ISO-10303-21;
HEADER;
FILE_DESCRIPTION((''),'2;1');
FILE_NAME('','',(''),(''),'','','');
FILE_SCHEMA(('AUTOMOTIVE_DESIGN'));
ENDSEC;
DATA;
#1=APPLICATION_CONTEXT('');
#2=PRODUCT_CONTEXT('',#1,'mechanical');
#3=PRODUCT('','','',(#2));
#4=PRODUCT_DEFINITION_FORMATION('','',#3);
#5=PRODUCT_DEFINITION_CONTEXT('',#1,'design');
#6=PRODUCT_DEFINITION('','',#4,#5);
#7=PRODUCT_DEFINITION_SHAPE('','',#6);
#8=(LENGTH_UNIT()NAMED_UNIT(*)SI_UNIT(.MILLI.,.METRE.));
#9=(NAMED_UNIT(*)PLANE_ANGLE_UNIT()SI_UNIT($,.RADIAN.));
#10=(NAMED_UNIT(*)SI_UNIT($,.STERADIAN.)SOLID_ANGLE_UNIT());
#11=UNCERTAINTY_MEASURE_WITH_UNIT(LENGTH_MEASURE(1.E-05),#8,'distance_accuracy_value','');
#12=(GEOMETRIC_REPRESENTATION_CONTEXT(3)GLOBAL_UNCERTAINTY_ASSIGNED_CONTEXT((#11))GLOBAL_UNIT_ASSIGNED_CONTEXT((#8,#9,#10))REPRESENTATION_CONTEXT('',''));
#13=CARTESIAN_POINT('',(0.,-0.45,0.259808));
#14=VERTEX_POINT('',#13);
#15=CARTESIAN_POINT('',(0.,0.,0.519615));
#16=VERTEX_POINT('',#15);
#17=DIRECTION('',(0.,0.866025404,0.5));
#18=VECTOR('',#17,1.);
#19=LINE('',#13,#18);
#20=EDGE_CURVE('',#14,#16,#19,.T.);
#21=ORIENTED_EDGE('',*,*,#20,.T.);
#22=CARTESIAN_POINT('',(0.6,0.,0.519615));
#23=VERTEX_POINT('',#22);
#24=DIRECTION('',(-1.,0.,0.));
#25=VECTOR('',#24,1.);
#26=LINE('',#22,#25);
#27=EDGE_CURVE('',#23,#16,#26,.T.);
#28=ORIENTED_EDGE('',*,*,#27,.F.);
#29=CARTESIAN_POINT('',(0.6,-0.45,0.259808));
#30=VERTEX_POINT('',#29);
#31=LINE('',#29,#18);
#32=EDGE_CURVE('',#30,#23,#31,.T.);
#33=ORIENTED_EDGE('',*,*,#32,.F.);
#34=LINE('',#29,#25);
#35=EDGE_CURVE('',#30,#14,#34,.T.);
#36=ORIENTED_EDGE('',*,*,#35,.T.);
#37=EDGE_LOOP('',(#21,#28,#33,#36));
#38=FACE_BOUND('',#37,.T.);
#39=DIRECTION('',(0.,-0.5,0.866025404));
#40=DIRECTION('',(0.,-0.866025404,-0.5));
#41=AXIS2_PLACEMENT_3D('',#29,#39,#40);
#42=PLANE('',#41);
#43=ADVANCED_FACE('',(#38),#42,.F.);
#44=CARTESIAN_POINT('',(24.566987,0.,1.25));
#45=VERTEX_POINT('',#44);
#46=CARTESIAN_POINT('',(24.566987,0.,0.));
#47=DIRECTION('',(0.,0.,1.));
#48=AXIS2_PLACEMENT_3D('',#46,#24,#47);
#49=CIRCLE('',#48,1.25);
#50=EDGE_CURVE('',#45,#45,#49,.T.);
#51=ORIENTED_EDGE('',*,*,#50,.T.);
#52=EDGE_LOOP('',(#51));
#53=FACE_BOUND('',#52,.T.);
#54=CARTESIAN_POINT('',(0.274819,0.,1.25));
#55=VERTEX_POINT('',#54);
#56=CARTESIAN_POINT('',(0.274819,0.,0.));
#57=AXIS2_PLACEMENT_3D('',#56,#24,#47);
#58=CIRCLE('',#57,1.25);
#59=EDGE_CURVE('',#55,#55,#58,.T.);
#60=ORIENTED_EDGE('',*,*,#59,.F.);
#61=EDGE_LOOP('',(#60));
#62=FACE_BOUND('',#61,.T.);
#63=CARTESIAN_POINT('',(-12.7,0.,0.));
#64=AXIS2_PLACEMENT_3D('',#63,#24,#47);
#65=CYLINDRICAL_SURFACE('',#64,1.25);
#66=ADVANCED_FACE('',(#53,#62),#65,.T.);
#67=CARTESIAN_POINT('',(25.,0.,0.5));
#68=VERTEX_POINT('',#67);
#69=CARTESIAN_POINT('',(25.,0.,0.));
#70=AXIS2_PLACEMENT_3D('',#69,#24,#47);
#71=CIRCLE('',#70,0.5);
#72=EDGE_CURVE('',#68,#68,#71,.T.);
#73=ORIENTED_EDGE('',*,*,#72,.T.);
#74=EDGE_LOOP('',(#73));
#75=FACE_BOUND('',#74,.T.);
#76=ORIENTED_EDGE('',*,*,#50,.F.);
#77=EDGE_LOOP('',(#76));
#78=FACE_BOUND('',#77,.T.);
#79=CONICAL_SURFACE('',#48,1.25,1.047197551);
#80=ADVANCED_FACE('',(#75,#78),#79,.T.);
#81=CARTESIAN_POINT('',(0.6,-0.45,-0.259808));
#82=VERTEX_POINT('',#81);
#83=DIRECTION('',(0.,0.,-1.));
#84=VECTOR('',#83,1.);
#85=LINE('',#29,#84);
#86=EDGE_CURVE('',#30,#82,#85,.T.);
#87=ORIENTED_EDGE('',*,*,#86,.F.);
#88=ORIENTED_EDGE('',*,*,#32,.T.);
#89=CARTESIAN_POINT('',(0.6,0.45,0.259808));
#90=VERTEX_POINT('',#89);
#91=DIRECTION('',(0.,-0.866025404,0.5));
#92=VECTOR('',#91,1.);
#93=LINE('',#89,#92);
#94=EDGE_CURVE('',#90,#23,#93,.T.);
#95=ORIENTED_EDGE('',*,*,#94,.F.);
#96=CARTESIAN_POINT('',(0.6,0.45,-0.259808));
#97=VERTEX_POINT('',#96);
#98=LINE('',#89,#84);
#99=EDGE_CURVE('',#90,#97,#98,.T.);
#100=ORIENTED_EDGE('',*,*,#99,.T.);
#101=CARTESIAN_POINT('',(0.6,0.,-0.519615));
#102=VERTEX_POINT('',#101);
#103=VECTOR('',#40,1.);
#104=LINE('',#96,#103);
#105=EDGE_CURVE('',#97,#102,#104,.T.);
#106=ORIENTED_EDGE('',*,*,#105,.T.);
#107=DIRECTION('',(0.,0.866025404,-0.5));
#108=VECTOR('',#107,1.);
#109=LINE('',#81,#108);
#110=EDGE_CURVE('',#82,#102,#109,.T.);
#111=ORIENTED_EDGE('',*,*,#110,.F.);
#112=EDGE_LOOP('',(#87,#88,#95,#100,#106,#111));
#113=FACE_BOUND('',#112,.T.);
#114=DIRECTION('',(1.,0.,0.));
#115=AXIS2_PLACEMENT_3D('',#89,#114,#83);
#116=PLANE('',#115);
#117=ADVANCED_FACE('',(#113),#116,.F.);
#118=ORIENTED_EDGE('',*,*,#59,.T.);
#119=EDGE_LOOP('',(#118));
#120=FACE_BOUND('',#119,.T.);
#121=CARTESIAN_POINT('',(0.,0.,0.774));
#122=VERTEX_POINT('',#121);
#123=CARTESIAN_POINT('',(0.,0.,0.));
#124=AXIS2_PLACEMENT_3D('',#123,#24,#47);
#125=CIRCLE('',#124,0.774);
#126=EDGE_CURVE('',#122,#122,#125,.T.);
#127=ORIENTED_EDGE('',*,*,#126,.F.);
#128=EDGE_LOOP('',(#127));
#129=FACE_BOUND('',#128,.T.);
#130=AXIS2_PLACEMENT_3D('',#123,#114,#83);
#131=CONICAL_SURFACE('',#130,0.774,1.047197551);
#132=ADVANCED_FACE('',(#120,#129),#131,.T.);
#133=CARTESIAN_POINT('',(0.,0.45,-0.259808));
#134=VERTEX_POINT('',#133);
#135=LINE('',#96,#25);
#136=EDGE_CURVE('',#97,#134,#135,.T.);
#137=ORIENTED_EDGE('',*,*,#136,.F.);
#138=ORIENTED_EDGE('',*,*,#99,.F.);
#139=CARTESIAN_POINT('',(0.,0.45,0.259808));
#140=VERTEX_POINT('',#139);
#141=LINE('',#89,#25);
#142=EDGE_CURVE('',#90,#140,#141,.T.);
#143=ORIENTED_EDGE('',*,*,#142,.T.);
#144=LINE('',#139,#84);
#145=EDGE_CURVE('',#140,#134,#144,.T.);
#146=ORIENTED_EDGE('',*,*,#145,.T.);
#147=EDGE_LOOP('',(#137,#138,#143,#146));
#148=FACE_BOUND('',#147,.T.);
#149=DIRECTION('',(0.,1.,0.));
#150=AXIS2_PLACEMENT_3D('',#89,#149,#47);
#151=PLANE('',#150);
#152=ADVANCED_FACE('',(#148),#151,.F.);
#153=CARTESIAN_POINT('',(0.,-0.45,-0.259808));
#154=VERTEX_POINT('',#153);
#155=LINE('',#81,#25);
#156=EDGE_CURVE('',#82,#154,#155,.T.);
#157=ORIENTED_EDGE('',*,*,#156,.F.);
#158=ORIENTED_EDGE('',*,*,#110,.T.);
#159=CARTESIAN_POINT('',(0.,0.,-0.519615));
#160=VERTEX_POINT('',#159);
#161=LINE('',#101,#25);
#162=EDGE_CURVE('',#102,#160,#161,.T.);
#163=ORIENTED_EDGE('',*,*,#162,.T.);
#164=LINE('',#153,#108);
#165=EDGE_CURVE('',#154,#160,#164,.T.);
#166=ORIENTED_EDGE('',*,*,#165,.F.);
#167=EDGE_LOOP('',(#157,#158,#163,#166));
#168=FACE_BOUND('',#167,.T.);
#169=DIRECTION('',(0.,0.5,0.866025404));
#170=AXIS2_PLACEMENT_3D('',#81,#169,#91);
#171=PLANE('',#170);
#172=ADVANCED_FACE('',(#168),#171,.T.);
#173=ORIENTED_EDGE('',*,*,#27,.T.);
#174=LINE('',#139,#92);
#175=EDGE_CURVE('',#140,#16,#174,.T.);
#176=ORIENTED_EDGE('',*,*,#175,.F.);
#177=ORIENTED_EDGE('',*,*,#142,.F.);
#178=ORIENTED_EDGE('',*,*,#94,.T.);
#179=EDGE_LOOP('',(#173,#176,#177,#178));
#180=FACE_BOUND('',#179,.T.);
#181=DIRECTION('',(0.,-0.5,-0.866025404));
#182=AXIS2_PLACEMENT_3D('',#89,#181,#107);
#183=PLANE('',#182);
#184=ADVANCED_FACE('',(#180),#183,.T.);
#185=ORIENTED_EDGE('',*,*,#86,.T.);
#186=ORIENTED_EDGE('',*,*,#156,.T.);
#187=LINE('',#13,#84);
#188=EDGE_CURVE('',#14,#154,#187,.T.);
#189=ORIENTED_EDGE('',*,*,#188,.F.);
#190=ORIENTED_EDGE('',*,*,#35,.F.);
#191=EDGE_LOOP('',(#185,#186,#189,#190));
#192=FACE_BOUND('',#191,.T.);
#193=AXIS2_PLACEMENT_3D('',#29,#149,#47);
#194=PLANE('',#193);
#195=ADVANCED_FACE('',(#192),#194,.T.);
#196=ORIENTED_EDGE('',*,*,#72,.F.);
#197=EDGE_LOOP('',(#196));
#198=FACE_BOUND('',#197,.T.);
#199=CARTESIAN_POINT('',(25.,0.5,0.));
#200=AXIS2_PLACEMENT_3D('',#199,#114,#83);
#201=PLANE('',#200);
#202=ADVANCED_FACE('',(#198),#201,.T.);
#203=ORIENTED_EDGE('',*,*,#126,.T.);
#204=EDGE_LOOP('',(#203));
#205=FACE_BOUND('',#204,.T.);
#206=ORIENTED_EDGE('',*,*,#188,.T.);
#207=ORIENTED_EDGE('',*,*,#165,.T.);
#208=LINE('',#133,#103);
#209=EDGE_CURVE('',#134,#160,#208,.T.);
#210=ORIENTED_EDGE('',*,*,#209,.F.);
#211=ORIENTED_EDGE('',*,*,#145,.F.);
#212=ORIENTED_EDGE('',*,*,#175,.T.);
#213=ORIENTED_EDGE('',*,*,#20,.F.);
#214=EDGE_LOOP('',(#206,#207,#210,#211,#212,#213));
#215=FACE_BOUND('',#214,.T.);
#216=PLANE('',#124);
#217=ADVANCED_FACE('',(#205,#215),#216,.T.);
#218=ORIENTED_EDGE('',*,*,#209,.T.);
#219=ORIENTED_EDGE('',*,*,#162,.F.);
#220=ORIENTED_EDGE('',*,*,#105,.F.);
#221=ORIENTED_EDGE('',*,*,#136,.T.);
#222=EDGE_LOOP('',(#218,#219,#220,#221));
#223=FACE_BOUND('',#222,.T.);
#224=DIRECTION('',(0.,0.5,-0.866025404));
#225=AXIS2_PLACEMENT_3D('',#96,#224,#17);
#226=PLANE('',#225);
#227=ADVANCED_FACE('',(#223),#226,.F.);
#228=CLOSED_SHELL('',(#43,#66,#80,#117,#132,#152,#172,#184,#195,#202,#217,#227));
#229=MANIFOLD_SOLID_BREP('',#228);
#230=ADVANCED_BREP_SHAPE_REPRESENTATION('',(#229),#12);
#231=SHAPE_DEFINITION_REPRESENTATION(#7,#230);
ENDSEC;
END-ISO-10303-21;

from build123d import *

# Parameters (mm, degrees)
HEX_2_DEPTH = 0.6


with BuildPart() as part:
    # BodySke → BaseBody (revolve)
    with BuildSketch(Plane.XY, mode=Mode.PRIVATE) as basebody_sk:
        Polygon((0, 0), (0, 0.774), (0.274818728, 1.25), (24.566987298, 1.25), (25, 0.5), (25, 0), align=None)
    revolve(basebody_sk.sketch.rotate(Axis((-12.7, 0, 0), (1, 0, 0)), 90), axis=Axis((-12.7, 0, 0), (1, 0, 0)))

    # Sketch2 → Hex 2 (cut)
    with BuildSketch(Plane.ZY):
        Polygon((0.259807621, 0.45), (-0.259807621, 0.45), (-0.519615242, 0), (-0.259807621, -0.45), (0.259807621, -0.45), (0.519615242, 0), align=None)
    extrude(amount=-HEX_2_DEPTH, mode=Mode.SUBTRACT)


solid = part.part
